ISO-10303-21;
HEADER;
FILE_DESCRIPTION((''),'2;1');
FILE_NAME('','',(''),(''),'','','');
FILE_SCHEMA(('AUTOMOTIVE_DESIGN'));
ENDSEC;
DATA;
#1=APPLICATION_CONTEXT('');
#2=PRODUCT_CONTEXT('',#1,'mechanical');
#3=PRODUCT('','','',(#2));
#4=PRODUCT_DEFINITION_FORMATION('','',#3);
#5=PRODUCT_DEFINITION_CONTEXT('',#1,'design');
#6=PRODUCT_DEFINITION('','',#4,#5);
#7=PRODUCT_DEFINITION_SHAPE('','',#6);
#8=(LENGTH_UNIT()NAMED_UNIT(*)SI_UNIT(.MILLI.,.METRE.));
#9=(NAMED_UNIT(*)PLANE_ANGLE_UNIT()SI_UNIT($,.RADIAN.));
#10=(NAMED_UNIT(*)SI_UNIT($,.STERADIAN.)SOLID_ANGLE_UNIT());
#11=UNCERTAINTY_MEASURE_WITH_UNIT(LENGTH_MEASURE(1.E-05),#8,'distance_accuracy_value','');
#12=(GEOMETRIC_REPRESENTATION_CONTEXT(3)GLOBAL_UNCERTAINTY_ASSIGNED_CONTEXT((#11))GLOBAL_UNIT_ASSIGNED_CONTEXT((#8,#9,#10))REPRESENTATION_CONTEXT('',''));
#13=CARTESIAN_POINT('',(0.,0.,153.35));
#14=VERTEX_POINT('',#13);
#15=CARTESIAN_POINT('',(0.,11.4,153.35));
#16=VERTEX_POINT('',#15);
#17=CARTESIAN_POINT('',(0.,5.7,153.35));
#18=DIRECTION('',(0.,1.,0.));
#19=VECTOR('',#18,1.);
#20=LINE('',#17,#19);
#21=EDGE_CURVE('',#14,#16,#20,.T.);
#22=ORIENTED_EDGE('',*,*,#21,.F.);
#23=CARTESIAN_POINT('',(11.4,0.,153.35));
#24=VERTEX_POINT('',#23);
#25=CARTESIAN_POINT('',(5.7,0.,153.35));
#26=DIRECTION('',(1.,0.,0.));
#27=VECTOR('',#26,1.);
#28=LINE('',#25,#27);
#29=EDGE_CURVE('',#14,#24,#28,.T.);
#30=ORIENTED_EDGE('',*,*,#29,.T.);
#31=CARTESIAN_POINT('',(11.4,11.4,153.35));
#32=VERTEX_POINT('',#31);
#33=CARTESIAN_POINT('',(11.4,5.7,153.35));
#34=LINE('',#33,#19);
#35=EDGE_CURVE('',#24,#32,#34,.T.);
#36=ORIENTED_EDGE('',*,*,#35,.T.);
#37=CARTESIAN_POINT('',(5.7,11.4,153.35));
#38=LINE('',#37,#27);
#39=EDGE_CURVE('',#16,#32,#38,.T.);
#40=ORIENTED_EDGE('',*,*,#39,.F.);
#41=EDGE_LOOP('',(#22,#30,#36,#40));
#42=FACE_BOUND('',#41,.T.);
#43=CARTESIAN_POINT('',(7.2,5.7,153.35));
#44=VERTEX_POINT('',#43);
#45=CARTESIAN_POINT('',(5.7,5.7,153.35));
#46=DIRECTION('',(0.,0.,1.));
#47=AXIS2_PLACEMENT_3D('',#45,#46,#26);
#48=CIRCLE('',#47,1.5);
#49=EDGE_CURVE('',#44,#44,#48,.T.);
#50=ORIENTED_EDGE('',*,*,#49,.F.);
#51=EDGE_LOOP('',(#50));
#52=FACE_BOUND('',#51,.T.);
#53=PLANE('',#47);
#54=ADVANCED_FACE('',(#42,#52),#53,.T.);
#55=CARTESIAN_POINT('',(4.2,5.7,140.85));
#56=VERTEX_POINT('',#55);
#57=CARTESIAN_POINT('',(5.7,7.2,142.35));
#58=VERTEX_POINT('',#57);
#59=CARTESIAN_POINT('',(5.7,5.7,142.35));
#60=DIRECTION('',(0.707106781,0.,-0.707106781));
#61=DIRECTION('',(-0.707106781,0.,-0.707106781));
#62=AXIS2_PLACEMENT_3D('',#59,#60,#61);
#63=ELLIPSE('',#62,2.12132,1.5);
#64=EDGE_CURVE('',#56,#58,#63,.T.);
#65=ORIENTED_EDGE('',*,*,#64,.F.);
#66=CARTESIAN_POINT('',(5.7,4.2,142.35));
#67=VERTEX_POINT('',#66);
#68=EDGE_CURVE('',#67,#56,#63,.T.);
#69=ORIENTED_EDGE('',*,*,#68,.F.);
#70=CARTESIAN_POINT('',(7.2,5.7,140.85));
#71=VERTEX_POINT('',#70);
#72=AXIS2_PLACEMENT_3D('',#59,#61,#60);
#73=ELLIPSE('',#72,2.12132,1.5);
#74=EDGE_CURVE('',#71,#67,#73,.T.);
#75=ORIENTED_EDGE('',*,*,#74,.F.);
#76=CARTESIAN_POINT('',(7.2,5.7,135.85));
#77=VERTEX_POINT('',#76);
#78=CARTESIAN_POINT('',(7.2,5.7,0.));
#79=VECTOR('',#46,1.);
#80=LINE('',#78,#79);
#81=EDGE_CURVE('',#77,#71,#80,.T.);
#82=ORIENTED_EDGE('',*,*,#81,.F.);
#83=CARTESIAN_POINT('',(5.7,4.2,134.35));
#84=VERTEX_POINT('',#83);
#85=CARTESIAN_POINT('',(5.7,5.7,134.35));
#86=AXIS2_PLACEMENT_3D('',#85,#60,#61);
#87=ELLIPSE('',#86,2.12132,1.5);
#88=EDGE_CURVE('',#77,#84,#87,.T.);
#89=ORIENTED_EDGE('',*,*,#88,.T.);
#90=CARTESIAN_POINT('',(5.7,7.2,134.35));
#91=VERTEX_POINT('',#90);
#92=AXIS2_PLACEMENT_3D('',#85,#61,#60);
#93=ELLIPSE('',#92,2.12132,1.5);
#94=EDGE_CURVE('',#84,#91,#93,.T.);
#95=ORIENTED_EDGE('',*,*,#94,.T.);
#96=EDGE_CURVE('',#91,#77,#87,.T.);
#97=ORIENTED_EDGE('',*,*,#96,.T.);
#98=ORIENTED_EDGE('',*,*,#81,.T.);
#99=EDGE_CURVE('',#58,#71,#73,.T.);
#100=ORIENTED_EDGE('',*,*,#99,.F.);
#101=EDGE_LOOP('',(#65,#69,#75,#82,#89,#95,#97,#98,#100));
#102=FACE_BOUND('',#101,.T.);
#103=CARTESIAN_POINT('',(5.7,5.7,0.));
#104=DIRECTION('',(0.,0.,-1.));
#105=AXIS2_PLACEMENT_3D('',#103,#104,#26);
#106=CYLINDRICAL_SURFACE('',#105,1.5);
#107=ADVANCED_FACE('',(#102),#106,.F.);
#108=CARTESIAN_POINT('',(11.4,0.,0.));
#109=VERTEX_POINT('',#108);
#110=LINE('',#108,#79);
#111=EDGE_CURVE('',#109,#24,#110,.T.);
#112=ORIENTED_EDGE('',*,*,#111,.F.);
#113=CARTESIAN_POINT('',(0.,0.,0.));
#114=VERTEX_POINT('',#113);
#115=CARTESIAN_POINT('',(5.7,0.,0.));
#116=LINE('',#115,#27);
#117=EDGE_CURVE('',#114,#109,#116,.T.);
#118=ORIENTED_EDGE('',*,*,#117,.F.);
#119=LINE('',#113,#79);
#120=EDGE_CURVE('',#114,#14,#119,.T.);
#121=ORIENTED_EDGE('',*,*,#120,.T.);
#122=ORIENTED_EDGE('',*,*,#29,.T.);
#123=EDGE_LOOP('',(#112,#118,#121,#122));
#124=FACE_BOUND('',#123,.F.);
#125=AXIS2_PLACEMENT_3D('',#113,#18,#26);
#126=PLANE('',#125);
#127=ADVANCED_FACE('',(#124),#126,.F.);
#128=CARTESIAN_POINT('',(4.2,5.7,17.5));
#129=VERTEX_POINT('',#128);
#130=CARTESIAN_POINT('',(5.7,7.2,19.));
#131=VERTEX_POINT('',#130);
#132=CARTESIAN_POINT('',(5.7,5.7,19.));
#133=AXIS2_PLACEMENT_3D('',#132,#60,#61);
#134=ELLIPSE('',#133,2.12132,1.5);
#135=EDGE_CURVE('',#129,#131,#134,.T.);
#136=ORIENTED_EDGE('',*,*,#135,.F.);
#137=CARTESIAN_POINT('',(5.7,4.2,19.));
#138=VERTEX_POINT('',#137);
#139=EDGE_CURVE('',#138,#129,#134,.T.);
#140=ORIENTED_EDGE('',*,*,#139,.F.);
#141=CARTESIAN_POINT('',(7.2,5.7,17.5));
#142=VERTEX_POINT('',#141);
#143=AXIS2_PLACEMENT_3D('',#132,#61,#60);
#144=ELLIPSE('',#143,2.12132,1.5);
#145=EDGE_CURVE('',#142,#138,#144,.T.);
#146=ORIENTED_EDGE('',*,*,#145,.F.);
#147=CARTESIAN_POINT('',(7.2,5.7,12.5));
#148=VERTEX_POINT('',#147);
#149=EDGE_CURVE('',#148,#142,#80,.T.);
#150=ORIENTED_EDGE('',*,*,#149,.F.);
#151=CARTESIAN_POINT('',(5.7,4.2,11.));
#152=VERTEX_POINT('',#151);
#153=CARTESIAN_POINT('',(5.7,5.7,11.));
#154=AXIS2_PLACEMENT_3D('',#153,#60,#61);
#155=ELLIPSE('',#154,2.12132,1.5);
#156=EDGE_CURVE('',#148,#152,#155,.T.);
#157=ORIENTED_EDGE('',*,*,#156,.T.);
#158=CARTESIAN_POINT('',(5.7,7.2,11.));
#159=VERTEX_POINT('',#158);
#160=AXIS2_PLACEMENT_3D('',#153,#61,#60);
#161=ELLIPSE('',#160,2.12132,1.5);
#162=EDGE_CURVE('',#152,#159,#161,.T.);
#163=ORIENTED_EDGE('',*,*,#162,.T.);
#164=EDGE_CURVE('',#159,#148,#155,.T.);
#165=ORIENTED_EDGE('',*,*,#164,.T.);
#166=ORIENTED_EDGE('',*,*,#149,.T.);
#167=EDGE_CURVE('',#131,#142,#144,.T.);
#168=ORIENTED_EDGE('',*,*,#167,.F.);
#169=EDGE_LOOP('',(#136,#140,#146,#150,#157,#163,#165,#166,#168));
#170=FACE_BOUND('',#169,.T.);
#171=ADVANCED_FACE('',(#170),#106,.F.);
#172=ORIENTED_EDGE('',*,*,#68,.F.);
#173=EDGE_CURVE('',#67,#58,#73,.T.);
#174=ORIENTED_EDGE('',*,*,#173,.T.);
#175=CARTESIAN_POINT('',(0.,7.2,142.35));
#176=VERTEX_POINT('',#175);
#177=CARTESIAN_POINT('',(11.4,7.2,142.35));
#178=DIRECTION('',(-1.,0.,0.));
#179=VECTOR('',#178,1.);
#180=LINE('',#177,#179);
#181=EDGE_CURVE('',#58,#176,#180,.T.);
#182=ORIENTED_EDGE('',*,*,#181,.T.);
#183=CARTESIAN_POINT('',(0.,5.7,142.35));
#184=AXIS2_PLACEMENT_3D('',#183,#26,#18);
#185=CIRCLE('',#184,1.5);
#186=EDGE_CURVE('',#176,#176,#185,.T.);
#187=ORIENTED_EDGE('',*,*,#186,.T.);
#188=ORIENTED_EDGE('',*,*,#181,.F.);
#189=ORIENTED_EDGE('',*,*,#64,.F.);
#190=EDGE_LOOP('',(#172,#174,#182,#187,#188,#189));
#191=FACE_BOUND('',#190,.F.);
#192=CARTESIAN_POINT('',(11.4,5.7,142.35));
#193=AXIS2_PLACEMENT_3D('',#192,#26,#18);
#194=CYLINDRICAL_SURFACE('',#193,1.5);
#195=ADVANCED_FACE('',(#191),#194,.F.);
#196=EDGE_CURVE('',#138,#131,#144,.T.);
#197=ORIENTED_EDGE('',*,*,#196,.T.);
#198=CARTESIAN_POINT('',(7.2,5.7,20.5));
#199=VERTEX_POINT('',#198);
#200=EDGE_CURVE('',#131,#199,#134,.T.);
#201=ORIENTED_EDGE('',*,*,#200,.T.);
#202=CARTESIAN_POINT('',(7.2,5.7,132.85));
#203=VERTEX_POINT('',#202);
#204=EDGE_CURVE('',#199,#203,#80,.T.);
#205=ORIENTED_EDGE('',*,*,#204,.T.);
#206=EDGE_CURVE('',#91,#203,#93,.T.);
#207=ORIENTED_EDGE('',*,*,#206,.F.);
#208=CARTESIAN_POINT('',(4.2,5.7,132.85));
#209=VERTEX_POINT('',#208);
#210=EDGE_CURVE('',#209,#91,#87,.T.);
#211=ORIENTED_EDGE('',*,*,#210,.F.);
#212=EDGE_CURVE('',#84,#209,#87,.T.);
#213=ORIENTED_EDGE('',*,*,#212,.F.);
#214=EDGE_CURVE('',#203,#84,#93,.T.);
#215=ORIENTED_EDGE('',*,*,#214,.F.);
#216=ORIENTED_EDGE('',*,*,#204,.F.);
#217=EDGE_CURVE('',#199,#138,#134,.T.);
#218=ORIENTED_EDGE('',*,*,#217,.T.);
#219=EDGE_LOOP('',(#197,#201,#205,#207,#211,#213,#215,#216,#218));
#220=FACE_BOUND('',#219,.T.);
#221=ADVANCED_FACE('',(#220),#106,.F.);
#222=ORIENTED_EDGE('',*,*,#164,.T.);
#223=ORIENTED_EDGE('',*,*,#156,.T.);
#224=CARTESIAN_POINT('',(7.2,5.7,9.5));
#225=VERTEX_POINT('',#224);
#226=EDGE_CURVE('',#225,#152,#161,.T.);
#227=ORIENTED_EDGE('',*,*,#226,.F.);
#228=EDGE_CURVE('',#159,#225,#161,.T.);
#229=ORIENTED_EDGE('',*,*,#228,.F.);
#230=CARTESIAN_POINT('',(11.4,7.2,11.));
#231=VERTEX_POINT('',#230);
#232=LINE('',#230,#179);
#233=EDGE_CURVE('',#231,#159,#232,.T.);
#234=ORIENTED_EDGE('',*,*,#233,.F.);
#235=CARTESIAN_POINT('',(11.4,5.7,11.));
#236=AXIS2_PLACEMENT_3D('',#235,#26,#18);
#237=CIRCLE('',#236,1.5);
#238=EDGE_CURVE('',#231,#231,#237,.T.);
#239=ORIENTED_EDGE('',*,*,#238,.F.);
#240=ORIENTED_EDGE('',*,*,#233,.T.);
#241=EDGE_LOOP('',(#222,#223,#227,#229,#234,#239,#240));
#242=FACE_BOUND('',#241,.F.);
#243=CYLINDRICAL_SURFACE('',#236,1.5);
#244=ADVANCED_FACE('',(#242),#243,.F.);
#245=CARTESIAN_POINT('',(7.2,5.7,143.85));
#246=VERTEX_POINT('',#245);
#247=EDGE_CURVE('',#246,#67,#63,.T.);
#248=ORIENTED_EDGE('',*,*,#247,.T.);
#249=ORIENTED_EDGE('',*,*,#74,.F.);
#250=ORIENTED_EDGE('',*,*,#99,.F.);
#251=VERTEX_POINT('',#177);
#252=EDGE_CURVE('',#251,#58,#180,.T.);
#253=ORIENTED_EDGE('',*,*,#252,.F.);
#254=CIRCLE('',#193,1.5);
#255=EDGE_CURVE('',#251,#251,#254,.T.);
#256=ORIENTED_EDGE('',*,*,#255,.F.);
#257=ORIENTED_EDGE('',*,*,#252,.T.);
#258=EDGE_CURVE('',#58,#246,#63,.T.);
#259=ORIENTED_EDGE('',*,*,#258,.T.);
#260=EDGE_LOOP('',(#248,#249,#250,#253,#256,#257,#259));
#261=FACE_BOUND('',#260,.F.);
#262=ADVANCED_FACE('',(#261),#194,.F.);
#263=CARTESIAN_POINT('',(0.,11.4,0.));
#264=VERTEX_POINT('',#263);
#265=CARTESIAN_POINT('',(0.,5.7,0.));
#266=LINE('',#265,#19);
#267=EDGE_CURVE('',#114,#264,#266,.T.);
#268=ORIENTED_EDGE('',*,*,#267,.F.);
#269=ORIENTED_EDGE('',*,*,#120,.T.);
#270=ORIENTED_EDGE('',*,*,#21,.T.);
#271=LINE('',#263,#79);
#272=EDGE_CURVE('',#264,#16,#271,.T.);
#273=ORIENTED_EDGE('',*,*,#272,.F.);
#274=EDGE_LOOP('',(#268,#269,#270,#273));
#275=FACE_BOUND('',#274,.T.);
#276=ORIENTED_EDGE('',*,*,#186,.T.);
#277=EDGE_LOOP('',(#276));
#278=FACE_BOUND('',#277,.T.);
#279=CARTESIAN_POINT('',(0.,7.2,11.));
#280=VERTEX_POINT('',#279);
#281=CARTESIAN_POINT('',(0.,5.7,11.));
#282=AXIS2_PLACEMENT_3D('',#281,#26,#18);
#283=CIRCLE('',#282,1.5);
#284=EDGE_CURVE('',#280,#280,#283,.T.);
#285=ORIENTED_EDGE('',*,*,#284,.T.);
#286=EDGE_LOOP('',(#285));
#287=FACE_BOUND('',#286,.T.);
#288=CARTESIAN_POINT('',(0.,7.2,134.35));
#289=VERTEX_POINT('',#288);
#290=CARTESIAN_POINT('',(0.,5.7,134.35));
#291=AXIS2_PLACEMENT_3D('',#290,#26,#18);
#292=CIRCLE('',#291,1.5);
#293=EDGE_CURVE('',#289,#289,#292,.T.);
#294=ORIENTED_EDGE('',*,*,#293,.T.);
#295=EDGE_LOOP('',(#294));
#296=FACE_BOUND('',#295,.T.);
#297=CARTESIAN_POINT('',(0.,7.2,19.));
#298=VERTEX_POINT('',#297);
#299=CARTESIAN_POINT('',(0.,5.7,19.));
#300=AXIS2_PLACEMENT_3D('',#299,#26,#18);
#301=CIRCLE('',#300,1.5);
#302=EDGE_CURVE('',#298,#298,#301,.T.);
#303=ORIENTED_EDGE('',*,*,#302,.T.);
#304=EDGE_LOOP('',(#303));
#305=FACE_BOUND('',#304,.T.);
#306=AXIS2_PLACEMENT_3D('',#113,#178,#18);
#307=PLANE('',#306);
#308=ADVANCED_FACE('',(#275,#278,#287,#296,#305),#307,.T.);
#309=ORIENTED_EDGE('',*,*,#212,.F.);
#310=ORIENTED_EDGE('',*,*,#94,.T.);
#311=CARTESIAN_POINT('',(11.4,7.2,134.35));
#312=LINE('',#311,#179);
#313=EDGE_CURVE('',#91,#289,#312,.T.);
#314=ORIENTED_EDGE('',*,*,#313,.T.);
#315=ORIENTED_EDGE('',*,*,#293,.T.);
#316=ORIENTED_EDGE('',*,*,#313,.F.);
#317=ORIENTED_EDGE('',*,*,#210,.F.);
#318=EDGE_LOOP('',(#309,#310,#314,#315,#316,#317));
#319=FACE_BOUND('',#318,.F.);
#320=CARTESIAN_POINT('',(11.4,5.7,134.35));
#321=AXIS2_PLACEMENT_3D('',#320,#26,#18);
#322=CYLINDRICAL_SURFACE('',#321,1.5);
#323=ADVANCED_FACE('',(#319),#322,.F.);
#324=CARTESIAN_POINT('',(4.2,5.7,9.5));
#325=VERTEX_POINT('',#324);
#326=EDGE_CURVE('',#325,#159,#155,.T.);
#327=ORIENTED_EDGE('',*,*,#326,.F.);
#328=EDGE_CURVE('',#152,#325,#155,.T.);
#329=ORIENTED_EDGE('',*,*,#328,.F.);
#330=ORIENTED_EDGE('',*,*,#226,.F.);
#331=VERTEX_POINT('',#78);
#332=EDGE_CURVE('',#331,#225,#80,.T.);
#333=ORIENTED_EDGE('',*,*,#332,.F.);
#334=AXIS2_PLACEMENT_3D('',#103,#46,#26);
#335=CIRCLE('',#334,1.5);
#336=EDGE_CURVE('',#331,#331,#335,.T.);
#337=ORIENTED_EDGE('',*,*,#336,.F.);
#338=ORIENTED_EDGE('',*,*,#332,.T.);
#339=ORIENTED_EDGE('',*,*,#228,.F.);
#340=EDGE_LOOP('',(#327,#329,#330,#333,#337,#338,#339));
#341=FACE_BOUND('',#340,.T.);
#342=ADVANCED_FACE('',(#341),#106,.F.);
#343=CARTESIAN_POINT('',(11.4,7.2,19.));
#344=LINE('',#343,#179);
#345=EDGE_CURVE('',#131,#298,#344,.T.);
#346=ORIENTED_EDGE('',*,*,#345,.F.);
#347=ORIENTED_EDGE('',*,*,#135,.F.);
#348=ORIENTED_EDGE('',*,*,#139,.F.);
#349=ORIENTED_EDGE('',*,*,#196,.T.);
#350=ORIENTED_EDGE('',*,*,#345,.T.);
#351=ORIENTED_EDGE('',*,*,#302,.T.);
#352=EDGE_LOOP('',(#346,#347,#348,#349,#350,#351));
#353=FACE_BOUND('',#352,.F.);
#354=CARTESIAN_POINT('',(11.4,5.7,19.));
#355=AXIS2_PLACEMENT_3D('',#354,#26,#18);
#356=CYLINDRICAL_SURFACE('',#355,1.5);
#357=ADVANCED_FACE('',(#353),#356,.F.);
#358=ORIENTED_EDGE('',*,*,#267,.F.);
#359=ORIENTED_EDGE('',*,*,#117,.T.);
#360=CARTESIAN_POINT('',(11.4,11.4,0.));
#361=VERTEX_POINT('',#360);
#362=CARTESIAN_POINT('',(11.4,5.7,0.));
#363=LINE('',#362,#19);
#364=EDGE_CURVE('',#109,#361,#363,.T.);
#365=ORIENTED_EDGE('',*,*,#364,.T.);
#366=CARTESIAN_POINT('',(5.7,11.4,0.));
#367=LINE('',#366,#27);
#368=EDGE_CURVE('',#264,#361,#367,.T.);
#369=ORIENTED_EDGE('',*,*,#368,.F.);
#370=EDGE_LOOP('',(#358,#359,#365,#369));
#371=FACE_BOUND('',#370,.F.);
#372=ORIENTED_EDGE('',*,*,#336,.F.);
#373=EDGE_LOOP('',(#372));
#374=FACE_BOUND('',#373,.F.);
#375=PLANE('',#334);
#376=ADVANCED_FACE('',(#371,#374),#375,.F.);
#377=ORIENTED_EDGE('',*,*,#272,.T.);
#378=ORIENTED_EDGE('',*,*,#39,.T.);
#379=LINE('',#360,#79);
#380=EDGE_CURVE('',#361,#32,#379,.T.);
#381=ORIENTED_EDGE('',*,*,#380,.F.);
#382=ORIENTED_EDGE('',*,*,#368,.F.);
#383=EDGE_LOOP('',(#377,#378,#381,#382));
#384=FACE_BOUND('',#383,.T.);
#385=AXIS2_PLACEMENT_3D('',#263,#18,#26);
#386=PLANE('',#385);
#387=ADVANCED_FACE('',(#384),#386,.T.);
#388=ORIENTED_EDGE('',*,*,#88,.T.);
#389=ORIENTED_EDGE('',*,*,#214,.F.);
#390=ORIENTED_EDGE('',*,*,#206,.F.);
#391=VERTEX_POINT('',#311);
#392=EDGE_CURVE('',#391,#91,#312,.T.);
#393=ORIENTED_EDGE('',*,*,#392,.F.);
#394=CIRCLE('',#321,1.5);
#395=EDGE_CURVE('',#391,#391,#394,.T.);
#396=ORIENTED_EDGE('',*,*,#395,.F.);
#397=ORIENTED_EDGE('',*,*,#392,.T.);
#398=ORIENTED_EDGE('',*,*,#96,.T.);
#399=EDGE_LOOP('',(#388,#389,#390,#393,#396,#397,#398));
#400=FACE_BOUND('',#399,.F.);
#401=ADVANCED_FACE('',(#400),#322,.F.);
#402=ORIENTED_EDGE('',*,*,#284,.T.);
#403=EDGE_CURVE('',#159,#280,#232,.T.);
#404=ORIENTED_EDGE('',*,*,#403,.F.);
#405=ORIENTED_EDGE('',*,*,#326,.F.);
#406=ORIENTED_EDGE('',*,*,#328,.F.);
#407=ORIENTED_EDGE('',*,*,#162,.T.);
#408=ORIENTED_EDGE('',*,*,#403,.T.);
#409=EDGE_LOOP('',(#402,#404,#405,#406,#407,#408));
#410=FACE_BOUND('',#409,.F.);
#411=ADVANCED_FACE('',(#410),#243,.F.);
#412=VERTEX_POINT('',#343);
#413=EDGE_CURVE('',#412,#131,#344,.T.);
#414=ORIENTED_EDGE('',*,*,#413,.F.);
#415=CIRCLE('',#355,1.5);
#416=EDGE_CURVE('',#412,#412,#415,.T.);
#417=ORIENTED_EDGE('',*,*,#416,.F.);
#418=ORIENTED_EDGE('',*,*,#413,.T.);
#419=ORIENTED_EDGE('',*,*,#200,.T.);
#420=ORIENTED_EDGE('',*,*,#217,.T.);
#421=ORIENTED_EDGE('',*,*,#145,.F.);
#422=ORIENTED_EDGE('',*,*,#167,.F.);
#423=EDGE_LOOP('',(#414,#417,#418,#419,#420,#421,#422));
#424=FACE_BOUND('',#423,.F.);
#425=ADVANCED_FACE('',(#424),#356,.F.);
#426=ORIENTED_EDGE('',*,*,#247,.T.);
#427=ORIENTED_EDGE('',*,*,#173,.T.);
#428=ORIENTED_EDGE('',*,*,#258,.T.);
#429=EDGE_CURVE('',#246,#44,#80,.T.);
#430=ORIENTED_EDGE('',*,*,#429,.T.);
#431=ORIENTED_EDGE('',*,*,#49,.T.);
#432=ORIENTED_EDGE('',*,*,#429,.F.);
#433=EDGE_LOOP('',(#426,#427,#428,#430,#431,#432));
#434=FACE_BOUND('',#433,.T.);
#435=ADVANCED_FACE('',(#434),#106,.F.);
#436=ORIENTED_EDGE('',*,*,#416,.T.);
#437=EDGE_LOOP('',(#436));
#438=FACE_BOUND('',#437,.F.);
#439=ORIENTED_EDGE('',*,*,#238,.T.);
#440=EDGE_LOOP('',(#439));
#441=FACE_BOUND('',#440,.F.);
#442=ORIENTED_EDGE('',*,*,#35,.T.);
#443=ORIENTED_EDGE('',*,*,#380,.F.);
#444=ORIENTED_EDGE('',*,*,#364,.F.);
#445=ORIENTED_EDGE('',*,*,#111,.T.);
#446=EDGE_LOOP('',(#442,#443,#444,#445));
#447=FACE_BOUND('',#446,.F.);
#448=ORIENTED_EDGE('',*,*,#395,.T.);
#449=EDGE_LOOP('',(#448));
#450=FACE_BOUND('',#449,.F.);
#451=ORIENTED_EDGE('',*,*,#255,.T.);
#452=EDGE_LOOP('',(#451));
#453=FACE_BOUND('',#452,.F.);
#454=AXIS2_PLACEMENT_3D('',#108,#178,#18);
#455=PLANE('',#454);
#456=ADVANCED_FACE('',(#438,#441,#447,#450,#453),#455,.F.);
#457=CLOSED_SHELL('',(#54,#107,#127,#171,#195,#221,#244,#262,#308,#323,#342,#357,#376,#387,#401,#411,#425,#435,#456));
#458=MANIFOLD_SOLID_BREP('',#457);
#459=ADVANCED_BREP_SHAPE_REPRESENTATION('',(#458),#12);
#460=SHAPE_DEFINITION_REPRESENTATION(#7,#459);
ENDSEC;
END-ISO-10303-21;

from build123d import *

# Parameters (mm, degrees)
SKETCH_W     = 11.4
SKETCH_H     = 11.4
SKETCH_R     = 1.5
PAD_DEPTH    = 153.35
SKETCH001_R  = 1.5
POCKET_DEPTH = 11.401


with BuildPart() as part:
    # Sketch → Pad (new body)
    with BuildSketch(Plane.XY):
        with Locations((5.7, 5.7)):
            Rectangle(SKETCH_W, SKETCH_H)
        with Locations((5.7, 5.7)):
            Circle(SKETCH_R, mode=Mode.SUBTRACT)
    extrude(amount=PAD_DEPTH)

    # Sketch001 → Pocket (cut, through all)
    with BuildSketch(Plane.YZ.offset(11.4)):
        with Locations((5.7, 142.35)):
            Circle(SKETCH001_R)
        with Locations((5.7, 134.35)):
            Circle(SKETCH001_R)
        with Locations((5.7, 19)):
            Circle(SKETCH001_R)
        with Locations((5.7, 11)):
            Circle(SKETCH001_R)
    extrude(amount=-POCKET_DEPTH, mode=Mode.SUBTRACT)


solid = part.part
